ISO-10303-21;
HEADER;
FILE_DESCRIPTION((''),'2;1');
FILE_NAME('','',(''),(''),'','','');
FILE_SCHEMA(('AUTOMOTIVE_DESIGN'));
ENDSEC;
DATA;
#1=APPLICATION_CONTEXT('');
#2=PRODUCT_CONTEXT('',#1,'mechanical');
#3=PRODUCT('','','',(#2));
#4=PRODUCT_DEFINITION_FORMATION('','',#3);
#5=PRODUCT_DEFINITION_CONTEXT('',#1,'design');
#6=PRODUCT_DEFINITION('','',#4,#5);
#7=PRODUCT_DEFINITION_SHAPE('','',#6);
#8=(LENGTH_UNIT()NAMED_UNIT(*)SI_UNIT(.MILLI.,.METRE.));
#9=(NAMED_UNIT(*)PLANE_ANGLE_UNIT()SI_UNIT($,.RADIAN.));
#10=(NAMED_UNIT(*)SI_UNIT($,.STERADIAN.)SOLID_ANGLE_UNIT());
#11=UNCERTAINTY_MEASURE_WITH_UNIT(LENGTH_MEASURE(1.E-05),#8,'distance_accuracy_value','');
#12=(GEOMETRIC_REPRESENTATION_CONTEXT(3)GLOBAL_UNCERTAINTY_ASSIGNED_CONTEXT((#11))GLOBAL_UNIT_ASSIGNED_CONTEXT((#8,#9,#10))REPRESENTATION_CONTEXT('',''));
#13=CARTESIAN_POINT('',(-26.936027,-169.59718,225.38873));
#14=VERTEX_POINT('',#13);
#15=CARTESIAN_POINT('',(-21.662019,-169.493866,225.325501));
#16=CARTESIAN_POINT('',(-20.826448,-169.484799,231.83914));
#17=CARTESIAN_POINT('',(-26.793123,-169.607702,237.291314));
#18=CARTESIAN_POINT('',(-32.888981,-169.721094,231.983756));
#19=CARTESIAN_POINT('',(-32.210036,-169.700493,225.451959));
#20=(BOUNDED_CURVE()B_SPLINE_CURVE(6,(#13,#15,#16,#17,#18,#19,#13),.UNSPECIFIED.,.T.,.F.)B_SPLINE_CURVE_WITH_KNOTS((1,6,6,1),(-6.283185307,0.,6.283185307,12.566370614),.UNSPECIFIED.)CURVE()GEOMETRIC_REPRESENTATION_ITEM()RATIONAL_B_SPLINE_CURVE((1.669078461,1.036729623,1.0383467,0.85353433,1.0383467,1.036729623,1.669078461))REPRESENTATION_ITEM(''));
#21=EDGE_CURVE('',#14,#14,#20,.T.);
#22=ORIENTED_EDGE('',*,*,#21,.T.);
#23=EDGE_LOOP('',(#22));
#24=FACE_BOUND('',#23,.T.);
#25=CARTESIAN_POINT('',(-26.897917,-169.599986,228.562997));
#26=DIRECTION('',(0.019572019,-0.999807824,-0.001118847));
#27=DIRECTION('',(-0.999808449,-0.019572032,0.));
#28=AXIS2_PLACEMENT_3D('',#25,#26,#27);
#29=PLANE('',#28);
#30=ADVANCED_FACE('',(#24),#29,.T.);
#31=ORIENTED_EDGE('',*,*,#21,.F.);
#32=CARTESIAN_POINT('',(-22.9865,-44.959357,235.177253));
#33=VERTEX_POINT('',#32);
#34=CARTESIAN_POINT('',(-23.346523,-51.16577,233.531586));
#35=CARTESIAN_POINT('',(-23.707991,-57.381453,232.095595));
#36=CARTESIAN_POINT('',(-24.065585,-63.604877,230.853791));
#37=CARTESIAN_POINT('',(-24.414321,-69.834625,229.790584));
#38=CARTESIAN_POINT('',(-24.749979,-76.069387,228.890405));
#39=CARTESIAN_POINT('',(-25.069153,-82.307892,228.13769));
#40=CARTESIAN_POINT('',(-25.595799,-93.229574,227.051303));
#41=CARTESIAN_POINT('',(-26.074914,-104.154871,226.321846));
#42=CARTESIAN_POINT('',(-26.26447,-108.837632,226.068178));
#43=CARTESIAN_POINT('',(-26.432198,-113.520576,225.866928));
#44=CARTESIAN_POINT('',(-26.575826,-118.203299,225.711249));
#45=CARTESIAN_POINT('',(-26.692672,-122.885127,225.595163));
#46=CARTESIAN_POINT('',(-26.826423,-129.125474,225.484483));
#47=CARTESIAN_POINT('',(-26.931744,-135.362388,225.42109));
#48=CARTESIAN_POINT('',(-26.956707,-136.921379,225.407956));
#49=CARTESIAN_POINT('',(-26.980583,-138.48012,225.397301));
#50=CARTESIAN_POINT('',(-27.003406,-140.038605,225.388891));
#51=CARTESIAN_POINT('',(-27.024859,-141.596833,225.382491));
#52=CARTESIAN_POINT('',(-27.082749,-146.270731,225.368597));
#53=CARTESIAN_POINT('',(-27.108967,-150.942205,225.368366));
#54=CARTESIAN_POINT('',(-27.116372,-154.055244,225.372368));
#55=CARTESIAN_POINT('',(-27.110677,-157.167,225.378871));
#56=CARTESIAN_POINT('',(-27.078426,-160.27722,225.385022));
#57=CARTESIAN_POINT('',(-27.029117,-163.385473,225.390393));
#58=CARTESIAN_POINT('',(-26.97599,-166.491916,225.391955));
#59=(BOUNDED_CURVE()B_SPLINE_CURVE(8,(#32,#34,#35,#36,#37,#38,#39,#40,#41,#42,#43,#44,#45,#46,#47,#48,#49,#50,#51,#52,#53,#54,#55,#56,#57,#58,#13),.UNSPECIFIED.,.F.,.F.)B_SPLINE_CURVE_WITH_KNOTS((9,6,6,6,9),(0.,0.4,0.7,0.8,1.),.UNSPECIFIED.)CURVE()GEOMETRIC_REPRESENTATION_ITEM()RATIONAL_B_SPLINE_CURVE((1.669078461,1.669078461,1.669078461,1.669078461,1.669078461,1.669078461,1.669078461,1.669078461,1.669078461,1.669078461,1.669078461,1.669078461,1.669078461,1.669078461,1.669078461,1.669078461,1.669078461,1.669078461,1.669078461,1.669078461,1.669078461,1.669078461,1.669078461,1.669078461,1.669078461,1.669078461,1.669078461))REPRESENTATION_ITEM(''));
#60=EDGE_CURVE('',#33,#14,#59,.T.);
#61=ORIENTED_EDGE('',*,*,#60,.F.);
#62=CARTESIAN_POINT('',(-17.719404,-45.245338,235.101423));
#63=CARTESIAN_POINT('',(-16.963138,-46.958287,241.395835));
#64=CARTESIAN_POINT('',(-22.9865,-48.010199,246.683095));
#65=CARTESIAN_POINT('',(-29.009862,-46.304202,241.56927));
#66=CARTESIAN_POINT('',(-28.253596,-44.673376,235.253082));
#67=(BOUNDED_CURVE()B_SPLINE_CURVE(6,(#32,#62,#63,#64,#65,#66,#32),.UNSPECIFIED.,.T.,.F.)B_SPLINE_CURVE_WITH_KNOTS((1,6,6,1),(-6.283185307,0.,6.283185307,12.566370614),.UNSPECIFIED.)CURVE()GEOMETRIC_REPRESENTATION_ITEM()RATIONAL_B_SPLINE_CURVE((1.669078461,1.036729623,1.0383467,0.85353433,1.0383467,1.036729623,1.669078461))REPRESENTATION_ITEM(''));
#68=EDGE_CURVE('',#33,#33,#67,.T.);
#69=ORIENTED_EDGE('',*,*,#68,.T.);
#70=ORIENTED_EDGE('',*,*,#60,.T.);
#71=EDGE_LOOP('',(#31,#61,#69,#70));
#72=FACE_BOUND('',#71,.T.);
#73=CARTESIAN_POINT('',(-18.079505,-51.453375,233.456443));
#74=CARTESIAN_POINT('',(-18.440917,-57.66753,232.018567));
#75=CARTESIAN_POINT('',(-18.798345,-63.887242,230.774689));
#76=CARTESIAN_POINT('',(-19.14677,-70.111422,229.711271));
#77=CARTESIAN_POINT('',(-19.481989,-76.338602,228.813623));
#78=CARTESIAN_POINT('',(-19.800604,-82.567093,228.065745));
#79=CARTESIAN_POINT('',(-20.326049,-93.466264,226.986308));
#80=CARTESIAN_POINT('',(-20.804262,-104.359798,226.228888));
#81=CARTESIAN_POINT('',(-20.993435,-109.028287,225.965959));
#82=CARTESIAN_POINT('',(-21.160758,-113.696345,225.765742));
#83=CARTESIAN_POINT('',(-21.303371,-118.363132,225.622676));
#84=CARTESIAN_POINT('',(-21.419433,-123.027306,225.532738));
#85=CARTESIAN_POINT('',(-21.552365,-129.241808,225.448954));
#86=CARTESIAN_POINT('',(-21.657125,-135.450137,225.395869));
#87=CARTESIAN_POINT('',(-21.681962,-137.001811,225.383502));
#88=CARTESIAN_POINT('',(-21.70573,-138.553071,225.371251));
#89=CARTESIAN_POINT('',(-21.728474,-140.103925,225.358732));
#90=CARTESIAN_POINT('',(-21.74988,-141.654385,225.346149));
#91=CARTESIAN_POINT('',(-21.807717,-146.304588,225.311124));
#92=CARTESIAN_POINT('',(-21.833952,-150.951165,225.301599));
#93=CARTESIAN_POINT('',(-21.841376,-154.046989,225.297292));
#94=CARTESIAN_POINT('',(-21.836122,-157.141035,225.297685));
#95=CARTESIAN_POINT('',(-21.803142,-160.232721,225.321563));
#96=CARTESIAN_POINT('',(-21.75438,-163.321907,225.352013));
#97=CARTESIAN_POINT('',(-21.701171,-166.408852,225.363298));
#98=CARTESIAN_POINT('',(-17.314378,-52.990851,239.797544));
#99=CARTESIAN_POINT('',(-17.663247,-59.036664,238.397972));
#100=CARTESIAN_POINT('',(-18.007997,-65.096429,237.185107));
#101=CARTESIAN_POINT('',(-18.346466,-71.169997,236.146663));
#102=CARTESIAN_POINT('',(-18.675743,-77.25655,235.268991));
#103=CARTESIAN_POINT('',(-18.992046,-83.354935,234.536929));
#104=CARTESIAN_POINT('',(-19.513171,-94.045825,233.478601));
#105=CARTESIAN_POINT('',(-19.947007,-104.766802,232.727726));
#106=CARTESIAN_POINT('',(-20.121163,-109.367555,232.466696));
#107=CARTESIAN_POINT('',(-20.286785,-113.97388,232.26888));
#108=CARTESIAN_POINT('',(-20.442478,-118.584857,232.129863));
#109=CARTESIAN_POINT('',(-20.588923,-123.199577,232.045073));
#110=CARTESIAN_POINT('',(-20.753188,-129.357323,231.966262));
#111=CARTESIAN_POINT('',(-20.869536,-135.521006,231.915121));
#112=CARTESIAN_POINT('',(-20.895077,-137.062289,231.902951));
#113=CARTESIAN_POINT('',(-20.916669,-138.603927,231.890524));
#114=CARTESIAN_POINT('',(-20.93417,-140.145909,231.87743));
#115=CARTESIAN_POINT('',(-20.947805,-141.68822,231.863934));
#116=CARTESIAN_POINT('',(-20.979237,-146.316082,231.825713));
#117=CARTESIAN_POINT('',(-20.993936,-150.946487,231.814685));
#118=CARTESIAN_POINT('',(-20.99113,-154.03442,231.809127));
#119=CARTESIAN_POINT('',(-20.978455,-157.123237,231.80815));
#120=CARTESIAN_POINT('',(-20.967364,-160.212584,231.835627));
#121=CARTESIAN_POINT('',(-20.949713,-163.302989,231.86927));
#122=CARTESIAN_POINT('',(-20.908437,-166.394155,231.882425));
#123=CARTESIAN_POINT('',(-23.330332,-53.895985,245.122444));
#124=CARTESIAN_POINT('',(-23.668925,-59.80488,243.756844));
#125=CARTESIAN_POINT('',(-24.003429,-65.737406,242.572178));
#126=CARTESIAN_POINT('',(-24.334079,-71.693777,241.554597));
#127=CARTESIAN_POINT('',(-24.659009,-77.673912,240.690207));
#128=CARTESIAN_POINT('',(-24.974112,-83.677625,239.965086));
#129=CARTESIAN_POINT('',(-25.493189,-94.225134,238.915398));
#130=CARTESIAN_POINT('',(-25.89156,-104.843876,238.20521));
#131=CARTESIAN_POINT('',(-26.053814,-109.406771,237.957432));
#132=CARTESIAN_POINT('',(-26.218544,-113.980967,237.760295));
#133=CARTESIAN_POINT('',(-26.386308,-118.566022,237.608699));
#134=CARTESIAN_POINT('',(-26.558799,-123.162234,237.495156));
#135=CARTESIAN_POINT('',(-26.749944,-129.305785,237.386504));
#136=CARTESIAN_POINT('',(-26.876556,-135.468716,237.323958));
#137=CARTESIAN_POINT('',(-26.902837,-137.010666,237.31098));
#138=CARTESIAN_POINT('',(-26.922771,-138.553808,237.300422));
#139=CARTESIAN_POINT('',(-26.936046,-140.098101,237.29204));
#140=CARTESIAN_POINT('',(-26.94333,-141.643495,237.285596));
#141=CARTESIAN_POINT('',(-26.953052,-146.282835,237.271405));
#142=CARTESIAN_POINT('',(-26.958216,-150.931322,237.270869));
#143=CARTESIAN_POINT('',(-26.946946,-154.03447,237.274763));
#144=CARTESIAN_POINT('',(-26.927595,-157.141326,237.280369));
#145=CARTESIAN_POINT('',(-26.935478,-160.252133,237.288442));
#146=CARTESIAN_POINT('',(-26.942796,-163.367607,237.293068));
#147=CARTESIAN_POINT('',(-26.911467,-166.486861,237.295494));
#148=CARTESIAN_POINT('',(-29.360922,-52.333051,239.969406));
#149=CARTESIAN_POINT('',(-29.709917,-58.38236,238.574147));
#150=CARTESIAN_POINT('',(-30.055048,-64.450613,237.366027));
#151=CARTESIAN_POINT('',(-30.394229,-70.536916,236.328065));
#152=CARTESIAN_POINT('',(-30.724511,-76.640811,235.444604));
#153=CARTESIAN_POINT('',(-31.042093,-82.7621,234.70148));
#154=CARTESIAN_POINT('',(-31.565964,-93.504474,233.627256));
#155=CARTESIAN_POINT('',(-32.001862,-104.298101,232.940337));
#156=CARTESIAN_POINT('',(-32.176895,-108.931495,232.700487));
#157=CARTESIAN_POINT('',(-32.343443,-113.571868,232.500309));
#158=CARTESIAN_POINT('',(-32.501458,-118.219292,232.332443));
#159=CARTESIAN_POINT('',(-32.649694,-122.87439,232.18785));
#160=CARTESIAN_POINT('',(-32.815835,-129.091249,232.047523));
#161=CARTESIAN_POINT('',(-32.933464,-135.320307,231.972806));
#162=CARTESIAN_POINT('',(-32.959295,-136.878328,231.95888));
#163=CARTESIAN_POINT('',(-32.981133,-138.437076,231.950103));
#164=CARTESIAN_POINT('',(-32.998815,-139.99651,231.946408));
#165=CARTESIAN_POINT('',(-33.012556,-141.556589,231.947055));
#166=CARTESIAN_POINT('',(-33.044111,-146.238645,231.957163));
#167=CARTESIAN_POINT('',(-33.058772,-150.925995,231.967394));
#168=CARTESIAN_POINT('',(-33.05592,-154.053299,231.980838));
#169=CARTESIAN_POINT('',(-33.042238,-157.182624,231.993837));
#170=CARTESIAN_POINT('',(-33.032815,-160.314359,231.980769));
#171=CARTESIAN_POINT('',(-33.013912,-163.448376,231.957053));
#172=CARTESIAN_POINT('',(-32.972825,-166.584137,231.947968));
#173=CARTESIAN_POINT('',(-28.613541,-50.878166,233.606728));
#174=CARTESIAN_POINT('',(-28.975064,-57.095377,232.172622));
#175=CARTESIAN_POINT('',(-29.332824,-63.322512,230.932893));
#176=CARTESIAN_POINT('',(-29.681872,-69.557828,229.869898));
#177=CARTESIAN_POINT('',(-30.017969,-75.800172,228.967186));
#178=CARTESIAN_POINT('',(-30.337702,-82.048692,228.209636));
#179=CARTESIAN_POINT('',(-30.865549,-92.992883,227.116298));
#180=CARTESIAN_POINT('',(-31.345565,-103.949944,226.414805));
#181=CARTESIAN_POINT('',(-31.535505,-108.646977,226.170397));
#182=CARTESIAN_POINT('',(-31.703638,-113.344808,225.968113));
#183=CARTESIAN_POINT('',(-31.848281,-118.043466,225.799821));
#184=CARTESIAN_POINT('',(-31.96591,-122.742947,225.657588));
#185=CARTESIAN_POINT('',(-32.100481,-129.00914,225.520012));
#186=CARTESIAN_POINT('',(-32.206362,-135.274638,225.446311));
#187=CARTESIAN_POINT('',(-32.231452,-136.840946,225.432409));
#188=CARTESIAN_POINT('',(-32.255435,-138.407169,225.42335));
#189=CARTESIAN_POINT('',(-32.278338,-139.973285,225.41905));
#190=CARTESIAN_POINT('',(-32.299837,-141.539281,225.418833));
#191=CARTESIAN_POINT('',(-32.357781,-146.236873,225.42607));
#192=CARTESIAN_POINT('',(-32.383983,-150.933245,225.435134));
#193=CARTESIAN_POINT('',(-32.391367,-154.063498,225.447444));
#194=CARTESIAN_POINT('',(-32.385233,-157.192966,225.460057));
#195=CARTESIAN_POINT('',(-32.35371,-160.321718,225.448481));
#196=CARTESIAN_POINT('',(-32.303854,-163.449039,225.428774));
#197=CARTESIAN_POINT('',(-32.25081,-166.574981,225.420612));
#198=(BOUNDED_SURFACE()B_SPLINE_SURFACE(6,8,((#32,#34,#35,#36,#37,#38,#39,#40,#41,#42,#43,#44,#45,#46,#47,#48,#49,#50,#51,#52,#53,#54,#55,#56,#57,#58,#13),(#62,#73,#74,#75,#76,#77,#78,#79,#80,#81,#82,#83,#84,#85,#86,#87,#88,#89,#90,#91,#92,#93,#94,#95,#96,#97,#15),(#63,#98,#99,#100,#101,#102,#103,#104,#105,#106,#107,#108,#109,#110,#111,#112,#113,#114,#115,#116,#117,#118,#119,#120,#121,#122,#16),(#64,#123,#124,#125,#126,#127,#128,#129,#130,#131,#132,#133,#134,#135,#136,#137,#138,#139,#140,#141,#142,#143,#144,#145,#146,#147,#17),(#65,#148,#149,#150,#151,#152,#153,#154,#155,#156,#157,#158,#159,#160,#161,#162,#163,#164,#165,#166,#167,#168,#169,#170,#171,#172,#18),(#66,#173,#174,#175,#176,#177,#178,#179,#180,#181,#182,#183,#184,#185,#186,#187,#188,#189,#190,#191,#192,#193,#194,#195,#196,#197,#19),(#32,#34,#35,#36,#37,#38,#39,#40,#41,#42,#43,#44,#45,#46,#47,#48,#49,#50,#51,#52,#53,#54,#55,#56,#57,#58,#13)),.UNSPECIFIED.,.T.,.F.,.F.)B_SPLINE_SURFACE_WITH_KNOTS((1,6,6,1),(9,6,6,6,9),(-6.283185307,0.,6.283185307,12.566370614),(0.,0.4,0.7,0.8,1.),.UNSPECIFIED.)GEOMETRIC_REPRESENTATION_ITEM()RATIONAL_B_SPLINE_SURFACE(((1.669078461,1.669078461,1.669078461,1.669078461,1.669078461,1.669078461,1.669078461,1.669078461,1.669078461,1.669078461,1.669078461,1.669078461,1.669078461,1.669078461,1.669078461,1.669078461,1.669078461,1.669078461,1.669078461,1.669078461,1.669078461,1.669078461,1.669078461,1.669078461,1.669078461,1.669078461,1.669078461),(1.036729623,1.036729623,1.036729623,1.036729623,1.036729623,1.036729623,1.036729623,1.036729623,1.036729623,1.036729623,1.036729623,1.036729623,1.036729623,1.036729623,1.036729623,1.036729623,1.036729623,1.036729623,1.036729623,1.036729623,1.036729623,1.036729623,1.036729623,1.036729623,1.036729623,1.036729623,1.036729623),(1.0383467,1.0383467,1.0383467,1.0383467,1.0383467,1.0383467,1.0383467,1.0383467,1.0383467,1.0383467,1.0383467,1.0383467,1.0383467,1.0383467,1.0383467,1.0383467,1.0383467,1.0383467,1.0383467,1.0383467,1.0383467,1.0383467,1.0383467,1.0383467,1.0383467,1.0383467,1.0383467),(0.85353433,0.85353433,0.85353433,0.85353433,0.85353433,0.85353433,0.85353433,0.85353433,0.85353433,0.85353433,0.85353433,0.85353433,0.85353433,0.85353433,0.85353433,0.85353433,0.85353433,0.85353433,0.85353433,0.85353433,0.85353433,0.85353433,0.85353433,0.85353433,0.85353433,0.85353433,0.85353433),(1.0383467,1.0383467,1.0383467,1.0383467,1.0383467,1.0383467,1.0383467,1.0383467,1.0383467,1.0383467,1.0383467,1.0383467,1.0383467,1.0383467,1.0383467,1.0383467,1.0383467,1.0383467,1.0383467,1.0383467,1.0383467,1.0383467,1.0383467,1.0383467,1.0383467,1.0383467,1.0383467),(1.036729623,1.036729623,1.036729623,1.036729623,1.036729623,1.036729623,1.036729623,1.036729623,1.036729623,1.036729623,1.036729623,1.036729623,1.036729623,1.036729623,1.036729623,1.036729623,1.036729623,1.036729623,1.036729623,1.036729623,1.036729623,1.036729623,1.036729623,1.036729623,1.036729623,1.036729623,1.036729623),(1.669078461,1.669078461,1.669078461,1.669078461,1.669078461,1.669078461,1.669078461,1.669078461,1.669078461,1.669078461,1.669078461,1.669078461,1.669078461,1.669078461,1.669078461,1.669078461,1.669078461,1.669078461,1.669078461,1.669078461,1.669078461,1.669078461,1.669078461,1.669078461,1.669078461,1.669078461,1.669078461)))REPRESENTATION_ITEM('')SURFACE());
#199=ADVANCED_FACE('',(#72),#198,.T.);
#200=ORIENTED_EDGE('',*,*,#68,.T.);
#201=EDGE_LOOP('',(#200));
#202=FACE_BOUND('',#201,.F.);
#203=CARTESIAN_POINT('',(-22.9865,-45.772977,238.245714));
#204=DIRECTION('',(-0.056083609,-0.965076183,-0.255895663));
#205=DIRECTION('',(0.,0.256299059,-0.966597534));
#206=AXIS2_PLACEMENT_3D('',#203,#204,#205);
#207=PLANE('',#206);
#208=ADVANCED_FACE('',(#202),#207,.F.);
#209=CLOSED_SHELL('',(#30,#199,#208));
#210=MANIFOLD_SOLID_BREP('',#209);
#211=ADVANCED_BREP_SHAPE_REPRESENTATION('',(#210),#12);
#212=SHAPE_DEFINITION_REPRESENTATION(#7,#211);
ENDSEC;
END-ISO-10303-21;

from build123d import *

# Parameters (mm, degrees)
SWEEP1_PROFILE_R = 3.175


with BuildPart() as part:
    # Sweep1: sweep along a curve in space
    with BuildLine() as sweep1_path:
        add(Edge.make_bspline(
            [(-22.9865, -45.773106351, 238.2462), (-25.357861953, -86.579056603, 227.426260702), (-27.70950127, -128.141073063, 228.609895105), (-26.897910645, -169.599986498, 228.5635)],
            knots=[0, 0, 0, 0, 1, 1, 1, 1], degree=3))
    # Sweep1 profile (on start of the path) → Sweep1 (sweep)
    with BuildSketch(Plane(origin=(-22.9865, -45.773106351, 238.2462), x_dir=(0, 0.25629905878088816, -0.9665975338619641), z_dir=(-0.05608360857878458, -0.965076182617274, -0.25589566349129816))):
        Circle(SWEEP1_PROFILE_R)
    sweep(path=sweep1_path.line)


solid = part.part
